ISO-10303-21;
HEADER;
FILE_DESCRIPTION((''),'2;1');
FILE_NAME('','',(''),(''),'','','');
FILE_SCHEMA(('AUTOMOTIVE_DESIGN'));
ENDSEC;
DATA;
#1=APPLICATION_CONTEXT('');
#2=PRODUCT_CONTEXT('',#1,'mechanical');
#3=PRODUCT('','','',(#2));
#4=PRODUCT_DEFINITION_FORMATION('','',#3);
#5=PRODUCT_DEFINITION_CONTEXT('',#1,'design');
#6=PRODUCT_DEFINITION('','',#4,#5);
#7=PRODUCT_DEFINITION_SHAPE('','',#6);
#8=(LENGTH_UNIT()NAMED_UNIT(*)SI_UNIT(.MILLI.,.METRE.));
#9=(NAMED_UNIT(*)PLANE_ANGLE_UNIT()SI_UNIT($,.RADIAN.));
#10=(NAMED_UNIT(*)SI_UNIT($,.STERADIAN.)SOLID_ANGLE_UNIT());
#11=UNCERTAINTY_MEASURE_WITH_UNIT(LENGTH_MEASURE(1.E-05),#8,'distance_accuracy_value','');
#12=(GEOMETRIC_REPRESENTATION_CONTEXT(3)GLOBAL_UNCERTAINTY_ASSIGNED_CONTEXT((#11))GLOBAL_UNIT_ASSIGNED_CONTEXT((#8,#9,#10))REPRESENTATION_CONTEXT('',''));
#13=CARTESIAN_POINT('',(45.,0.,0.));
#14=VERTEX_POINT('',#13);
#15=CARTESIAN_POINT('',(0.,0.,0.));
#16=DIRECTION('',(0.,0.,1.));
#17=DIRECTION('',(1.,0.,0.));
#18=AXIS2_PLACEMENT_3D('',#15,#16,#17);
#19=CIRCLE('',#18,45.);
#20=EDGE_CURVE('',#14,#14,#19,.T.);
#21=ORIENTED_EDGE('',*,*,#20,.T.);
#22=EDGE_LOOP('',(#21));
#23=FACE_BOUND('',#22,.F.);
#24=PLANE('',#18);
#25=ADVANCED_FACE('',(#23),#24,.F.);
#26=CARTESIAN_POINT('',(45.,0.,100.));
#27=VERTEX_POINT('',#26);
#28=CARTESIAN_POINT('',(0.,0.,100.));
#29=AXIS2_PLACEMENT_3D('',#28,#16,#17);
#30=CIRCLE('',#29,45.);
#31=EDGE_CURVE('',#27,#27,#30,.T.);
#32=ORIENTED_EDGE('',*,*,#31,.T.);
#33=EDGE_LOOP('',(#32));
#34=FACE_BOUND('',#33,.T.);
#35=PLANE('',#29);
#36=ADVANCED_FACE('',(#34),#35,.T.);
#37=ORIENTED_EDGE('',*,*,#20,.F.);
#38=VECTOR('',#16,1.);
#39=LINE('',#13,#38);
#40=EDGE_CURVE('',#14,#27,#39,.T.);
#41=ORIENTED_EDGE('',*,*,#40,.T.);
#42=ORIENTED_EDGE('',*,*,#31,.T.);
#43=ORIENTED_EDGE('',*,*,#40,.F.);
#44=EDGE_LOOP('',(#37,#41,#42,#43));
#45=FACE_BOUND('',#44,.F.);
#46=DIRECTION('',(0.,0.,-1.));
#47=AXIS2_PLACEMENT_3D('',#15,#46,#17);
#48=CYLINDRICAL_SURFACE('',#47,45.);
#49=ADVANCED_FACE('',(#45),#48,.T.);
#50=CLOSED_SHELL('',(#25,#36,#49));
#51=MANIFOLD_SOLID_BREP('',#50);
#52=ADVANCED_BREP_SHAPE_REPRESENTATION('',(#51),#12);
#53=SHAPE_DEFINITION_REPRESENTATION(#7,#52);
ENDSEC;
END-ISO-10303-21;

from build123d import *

# Parameters (mm, degrees)
SKETCH_1_R  = 45
PAD_1_DEPTH = 100


with BuildPart() as part:
    # Sketch_1 → Pad_1 (new body)
    with BuildSketch(Plane.XY):
        Circle(SKETCH_1_R)
    extrude(amount=PAD_1_DEPTH)


solid = part.part
